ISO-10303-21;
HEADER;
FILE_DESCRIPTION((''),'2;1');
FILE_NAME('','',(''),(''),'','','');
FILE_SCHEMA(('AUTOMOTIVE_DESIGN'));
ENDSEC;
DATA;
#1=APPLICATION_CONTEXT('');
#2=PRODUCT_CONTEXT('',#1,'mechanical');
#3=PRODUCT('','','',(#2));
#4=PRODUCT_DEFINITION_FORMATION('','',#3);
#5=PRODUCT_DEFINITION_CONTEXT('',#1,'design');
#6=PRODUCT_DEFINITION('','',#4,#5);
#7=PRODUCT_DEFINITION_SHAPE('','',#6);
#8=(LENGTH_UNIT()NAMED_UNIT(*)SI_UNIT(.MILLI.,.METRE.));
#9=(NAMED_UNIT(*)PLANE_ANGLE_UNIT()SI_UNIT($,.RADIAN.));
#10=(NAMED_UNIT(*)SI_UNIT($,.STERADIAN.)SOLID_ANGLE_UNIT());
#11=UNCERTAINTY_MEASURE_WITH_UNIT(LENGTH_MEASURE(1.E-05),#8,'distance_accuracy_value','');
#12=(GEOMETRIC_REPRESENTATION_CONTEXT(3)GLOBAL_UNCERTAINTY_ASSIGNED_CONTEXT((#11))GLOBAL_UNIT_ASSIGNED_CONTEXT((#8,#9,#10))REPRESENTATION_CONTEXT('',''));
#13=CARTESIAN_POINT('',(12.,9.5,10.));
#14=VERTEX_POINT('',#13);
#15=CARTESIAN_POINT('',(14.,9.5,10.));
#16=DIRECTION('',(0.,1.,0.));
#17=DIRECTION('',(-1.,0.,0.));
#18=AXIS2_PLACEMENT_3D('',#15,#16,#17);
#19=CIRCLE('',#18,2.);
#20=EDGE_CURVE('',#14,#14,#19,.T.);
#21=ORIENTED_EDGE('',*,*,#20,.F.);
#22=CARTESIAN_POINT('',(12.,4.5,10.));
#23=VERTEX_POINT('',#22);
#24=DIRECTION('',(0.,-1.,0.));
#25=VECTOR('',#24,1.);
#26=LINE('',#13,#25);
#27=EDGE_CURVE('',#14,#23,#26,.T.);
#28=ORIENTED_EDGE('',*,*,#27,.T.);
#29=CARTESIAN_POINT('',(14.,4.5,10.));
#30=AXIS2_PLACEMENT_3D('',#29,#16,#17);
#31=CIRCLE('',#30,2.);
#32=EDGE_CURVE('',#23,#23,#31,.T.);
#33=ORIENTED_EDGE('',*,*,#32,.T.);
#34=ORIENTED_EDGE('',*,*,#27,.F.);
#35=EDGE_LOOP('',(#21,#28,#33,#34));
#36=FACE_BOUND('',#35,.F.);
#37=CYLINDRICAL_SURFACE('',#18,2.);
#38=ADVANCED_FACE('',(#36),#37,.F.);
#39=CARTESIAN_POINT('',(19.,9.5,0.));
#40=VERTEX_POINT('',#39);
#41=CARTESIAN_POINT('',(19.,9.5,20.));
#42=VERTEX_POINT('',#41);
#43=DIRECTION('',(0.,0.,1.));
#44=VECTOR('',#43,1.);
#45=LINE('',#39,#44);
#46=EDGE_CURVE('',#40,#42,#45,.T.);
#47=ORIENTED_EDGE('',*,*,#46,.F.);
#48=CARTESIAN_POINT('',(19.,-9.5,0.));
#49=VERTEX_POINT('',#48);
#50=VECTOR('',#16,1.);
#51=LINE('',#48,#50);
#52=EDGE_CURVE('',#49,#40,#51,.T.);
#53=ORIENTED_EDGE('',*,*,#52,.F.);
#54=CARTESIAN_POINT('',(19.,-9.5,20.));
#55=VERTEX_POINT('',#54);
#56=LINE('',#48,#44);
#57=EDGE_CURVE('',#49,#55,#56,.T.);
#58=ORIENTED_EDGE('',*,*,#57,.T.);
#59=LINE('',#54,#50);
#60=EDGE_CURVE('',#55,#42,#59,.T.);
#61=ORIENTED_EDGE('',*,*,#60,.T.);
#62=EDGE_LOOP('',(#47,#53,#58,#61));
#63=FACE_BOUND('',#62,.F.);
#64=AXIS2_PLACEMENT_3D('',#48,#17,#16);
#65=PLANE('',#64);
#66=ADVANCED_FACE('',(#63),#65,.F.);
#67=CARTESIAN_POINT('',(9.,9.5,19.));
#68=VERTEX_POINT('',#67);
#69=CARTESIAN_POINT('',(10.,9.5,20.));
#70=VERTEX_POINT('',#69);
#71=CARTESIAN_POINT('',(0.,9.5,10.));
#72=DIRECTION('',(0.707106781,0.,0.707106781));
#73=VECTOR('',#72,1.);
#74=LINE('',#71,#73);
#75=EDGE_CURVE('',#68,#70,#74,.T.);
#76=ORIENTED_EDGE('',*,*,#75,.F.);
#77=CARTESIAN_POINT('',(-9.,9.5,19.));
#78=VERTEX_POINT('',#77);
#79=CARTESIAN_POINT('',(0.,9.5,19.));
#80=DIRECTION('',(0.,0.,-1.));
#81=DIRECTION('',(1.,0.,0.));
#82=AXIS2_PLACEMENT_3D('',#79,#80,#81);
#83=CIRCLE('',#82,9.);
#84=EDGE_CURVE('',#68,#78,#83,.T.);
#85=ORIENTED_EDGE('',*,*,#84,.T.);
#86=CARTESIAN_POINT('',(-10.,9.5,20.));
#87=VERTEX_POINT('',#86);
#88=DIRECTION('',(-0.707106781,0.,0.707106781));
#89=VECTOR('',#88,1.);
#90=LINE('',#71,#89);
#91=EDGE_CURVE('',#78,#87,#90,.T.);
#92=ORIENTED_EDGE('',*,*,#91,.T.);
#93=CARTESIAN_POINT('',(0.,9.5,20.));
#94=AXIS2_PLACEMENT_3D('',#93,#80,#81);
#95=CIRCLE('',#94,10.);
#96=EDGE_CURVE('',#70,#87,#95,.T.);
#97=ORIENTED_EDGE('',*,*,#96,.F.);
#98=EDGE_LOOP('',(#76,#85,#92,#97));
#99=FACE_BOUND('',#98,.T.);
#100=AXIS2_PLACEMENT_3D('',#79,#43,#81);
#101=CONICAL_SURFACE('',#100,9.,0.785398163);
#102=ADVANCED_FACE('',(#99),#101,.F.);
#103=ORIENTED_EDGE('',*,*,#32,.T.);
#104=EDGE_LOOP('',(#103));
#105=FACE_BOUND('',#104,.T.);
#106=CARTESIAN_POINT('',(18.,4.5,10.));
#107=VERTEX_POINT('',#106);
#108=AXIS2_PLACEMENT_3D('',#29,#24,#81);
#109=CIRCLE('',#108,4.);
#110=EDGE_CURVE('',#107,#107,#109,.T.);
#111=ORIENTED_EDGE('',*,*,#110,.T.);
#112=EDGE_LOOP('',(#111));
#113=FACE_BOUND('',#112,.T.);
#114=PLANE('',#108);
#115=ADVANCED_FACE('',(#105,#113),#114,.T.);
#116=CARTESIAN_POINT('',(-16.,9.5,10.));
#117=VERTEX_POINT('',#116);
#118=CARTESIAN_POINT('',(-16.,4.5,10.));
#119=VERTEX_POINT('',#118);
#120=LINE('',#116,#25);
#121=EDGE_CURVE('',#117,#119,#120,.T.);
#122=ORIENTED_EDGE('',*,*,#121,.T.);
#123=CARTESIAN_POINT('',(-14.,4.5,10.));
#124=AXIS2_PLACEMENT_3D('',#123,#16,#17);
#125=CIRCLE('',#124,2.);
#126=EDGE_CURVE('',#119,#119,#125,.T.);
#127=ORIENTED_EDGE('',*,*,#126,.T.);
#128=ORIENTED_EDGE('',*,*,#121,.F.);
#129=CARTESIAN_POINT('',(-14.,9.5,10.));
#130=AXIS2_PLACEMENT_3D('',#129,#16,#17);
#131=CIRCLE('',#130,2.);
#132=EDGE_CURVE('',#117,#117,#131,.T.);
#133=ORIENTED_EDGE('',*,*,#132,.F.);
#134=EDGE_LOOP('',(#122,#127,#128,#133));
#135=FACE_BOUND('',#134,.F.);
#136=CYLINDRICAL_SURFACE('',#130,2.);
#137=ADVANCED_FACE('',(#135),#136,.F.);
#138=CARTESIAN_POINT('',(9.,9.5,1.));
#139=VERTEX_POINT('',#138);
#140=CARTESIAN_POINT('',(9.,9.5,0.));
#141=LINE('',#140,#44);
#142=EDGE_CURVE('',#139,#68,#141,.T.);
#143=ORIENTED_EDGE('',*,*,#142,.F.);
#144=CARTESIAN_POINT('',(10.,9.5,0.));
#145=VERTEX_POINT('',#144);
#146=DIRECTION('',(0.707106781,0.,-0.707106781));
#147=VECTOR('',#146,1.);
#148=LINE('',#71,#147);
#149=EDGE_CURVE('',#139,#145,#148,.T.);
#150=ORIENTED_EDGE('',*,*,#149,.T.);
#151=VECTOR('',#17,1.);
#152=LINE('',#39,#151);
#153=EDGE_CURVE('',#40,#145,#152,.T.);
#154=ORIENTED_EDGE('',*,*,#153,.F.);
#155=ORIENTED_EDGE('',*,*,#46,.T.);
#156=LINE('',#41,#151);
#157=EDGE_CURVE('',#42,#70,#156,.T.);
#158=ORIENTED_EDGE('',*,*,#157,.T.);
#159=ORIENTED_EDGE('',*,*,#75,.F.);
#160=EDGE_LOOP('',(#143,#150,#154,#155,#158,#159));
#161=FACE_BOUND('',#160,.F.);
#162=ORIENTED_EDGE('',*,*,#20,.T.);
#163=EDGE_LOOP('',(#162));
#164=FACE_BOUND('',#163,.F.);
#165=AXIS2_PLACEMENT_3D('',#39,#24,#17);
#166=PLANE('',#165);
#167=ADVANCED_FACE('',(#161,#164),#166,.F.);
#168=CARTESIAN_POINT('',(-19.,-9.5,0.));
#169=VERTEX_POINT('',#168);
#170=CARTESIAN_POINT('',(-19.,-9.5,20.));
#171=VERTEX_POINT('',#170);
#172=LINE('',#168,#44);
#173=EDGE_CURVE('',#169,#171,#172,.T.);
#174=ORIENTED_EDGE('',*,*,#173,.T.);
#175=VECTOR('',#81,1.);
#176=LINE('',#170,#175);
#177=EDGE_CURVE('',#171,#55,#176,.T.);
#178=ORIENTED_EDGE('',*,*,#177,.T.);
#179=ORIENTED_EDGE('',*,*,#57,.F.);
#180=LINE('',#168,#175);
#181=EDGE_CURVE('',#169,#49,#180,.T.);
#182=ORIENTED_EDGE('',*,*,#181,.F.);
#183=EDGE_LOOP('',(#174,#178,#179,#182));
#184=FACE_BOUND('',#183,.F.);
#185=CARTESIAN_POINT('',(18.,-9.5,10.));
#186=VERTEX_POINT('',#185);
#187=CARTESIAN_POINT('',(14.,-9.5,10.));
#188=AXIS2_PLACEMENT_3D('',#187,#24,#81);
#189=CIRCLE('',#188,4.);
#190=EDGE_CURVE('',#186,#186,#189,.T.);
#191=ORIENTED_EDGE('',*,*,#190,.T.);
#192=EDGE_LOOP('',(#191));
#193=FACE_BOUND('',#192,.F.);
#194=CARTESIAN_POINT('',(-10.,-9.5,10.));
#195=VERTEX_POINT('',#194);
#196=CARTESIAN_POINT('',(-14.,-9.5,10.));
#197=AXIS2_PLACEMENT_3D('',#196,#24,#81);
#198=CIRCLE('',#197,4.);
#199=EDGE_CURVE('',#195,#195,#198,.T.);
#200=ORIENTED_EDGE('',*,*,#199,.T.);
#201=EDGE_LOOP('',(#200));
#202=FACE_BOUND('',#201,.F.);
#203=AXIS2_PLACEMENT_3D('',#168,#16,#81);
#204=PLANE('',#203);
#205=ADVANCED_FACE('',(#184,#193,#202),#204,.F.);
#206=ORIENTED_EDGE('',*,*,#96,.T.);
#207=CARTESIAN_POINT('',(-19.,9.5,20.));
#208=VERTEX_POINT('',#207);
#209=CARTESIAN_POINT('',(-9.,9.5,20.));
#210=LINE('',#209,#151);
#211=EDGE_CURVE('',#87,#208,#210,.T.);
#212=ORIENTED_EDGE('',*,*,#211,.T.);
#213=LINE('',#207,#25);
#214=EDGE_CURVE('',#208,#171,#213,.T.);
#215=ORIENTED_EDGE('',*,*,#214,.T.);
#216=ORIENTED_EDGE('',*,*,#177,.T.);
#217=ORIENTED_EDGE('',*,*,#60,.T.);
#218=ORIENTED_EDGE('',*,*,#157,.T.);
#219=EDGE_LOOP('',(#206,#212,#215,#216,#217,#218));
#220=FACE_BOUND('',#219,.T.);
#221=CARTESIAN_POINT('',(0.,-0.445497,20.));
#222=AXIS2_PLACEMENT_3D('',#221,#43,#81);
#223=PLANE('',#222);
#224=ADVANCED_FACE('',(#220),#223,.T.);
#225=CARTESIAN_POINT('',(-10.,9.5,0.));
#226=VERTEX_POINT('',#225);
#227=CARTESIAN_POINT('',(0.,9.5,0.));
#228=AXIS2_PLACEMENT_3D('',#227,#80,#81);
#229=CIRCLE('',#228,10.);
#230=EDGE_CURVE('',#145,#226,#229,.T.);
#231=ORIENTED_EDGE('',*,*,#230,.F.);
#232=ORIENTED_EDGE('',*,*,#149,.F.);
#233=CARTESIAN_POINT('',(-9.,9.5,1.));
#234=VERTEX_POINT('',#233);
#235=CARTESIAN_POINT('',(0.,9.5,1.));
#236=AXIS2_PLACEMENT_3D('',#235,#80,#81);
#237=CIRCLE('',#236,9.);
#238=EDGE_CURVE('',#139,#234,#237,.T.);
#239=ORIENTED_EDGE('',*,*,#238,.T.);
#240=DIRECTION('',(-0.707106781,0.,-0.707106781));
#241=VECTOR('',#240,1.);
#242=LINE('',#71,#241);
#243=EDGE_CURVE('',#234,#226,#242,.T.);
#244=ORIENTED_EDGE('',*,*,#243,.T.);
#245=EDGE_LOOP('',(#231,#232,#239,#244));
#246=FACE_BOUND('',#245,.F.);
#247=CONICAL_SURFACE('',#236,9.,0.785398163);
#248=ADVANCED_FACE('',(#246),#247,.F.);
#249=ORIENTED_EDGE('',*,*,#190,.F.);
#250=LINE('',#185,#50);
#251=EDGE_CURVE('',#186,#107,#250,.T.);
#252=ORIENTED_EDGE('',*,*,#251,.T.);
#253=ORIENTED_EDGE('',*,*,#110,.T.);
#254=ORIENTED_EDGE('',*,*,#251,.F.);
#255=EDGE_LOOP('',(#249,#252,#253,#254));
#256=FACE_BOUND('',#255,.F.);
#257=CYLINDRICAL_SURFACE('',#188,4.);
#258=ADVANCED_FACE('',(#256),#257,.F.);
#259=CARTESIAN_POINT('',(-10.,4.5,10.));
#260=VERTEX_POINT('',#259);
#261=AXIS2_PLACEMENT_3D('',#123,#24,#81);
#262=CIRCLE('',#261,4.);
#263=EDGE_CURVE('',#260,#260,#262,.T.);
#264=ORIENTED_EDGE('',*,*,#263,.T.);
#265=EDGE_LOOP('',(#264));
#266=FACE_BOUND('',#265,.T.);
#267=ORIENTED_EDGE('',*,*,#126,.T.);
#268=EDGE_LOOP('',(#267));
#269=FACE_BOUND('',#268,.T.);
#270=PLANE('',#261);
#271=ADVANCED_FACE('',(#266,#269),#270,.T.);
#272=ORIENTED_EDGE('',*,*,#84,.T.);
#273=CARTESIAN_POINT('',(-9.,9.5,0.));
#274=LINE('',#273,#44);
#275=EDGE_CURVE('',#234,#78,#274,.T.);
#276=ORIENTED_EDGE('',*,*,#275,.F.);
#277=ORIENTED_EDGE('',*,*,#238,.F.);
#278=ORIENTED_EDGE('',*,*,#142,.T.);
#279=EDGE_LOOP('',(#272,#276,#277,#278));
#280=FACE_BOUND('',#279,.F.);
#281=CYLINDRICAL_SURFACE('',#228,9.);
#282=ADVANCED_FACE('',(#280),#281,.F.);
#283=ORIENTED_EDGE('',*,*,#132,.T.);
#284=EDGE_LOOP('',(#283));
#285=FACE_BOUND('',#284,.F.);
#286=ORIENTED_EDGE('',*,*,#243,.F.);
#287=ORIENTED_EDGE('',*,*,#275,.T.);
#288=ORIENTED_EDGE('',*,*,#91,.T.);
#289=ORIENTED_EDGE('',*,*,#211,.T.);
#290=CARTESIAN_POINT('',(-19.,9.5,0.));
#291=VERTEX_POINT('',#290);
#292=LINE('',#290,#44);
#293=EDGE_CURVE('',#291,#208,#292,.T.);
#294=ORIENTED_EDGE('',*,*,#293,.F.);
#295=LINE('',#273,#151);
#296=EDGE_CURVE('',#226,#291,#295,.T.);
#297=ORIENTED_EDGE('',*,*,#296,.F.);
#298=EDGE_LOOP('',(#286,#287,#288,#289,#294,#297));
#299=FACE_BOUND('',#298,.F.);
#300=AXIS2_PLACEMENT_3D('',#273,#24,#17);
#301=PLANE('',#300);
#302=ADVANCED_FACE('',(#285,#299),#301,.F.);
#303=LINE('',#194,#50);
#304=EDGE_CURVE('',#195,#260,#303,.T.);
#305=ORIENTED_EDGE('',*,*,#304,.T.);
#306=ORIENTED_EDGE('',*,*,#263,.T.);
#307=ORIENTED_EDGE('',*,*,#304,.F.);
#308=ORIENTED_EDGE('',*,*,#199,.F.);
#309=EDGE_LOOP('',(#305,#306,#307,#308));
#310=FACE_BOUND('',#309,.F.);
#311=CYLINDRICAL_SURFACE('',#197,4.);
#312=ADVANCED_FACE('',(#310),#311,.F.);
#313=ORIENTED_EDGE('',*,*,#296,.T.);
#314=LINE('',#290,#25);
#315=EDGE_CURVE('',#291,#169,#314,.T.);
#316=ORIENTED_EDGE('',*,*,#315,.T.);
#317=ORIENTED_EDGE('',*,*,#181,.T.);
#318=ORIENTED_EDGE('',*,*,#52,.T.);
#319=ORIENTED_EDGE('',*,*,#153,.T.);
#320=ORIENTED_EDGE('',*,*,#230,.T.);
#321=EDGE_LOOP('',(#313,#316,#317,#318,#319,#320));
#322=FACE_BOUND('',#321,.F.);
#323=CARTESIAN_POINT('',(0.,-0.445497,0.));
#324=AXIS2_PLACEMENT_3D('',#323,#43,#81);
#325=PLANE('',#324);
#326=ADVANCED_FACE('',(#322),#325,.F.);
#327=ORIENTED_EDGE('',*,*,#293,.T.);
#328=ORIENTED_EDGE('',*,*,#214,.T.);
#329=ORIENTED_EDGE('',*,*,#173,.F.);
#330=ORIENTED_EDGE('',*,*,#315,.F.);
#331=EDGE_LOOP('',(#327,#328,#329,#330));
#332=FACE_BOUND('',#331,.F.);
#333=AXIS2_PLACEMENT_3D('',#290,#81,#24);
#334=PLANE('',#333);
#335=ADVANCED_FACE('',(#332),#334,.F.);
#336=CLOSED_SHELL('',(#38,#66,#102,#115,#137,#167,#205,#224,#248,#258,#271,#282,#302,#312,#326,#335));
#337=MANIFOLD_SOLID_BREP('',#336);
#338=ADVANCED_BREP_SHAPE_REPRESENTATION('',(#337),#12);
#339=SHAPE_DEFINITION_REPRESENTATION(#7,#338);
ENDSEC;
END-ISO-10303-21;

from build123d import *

# Parameters (mm, degrees)
F1_DEPTH = 20
F2_R     = 2
F3_DEPTH = 19.001
F4_R     = 4
F5_DEPTH = 14
F6_SIZE  = 1


with BuildPart() as f1:
    # F0 (on Top) → F1 (new body)
    with BuildSketch(Plane.XY):
        with BuildLine():
            Line((-9, 9.5), (-19, 9.5))
            Line((-19, 9.5), (-19, -9.5))
            Line((-19, -9.5), (19, -9.5))
            Line((19, -9.5), (19, 9.5))
            Line((19, 9.5), (9, 9.5))
            ThreePointArc((9, 9.5), (0, 0.5), (-9, 9.5))
        make_face()
    extrude(amount=F1_DEPTH)

    # F2 (on face) → F3 (cut, through all)
    with BuildSketch(Plane(origin=(0, 9.5, 0), x_dir=(-1, 0, 0), z_dir=(0, 1, 0))):
        with Locations((-14, 10)):
            Circle(F2_R)
        with Locations((14, 10)):
            Circle(F2_R)
    extrude(amount=-F3_DEPTH, mode=Mode.SUBTRACT)

    # F4 (on face) → F5 (cut)
    with BuildSketch(Plane.XZ.offset(9.5)):
        with Locations((-14, 10)):
            Circle(F4_R)
        with Locations((14, 10)):
            Circle(F4_R)
    extrude(amount=-F5_DEPTH, mode=Mode.SUBTRACT)

    # F6
    f6_edges = [f1.edges().sort_by_distance(p)[0] for p in [
        (0, 0.5, 0),
        (0, 0.5, 20),
    ]]
    chamfer(f6_edges, length=F6_SIZE)


solid = f1.part
